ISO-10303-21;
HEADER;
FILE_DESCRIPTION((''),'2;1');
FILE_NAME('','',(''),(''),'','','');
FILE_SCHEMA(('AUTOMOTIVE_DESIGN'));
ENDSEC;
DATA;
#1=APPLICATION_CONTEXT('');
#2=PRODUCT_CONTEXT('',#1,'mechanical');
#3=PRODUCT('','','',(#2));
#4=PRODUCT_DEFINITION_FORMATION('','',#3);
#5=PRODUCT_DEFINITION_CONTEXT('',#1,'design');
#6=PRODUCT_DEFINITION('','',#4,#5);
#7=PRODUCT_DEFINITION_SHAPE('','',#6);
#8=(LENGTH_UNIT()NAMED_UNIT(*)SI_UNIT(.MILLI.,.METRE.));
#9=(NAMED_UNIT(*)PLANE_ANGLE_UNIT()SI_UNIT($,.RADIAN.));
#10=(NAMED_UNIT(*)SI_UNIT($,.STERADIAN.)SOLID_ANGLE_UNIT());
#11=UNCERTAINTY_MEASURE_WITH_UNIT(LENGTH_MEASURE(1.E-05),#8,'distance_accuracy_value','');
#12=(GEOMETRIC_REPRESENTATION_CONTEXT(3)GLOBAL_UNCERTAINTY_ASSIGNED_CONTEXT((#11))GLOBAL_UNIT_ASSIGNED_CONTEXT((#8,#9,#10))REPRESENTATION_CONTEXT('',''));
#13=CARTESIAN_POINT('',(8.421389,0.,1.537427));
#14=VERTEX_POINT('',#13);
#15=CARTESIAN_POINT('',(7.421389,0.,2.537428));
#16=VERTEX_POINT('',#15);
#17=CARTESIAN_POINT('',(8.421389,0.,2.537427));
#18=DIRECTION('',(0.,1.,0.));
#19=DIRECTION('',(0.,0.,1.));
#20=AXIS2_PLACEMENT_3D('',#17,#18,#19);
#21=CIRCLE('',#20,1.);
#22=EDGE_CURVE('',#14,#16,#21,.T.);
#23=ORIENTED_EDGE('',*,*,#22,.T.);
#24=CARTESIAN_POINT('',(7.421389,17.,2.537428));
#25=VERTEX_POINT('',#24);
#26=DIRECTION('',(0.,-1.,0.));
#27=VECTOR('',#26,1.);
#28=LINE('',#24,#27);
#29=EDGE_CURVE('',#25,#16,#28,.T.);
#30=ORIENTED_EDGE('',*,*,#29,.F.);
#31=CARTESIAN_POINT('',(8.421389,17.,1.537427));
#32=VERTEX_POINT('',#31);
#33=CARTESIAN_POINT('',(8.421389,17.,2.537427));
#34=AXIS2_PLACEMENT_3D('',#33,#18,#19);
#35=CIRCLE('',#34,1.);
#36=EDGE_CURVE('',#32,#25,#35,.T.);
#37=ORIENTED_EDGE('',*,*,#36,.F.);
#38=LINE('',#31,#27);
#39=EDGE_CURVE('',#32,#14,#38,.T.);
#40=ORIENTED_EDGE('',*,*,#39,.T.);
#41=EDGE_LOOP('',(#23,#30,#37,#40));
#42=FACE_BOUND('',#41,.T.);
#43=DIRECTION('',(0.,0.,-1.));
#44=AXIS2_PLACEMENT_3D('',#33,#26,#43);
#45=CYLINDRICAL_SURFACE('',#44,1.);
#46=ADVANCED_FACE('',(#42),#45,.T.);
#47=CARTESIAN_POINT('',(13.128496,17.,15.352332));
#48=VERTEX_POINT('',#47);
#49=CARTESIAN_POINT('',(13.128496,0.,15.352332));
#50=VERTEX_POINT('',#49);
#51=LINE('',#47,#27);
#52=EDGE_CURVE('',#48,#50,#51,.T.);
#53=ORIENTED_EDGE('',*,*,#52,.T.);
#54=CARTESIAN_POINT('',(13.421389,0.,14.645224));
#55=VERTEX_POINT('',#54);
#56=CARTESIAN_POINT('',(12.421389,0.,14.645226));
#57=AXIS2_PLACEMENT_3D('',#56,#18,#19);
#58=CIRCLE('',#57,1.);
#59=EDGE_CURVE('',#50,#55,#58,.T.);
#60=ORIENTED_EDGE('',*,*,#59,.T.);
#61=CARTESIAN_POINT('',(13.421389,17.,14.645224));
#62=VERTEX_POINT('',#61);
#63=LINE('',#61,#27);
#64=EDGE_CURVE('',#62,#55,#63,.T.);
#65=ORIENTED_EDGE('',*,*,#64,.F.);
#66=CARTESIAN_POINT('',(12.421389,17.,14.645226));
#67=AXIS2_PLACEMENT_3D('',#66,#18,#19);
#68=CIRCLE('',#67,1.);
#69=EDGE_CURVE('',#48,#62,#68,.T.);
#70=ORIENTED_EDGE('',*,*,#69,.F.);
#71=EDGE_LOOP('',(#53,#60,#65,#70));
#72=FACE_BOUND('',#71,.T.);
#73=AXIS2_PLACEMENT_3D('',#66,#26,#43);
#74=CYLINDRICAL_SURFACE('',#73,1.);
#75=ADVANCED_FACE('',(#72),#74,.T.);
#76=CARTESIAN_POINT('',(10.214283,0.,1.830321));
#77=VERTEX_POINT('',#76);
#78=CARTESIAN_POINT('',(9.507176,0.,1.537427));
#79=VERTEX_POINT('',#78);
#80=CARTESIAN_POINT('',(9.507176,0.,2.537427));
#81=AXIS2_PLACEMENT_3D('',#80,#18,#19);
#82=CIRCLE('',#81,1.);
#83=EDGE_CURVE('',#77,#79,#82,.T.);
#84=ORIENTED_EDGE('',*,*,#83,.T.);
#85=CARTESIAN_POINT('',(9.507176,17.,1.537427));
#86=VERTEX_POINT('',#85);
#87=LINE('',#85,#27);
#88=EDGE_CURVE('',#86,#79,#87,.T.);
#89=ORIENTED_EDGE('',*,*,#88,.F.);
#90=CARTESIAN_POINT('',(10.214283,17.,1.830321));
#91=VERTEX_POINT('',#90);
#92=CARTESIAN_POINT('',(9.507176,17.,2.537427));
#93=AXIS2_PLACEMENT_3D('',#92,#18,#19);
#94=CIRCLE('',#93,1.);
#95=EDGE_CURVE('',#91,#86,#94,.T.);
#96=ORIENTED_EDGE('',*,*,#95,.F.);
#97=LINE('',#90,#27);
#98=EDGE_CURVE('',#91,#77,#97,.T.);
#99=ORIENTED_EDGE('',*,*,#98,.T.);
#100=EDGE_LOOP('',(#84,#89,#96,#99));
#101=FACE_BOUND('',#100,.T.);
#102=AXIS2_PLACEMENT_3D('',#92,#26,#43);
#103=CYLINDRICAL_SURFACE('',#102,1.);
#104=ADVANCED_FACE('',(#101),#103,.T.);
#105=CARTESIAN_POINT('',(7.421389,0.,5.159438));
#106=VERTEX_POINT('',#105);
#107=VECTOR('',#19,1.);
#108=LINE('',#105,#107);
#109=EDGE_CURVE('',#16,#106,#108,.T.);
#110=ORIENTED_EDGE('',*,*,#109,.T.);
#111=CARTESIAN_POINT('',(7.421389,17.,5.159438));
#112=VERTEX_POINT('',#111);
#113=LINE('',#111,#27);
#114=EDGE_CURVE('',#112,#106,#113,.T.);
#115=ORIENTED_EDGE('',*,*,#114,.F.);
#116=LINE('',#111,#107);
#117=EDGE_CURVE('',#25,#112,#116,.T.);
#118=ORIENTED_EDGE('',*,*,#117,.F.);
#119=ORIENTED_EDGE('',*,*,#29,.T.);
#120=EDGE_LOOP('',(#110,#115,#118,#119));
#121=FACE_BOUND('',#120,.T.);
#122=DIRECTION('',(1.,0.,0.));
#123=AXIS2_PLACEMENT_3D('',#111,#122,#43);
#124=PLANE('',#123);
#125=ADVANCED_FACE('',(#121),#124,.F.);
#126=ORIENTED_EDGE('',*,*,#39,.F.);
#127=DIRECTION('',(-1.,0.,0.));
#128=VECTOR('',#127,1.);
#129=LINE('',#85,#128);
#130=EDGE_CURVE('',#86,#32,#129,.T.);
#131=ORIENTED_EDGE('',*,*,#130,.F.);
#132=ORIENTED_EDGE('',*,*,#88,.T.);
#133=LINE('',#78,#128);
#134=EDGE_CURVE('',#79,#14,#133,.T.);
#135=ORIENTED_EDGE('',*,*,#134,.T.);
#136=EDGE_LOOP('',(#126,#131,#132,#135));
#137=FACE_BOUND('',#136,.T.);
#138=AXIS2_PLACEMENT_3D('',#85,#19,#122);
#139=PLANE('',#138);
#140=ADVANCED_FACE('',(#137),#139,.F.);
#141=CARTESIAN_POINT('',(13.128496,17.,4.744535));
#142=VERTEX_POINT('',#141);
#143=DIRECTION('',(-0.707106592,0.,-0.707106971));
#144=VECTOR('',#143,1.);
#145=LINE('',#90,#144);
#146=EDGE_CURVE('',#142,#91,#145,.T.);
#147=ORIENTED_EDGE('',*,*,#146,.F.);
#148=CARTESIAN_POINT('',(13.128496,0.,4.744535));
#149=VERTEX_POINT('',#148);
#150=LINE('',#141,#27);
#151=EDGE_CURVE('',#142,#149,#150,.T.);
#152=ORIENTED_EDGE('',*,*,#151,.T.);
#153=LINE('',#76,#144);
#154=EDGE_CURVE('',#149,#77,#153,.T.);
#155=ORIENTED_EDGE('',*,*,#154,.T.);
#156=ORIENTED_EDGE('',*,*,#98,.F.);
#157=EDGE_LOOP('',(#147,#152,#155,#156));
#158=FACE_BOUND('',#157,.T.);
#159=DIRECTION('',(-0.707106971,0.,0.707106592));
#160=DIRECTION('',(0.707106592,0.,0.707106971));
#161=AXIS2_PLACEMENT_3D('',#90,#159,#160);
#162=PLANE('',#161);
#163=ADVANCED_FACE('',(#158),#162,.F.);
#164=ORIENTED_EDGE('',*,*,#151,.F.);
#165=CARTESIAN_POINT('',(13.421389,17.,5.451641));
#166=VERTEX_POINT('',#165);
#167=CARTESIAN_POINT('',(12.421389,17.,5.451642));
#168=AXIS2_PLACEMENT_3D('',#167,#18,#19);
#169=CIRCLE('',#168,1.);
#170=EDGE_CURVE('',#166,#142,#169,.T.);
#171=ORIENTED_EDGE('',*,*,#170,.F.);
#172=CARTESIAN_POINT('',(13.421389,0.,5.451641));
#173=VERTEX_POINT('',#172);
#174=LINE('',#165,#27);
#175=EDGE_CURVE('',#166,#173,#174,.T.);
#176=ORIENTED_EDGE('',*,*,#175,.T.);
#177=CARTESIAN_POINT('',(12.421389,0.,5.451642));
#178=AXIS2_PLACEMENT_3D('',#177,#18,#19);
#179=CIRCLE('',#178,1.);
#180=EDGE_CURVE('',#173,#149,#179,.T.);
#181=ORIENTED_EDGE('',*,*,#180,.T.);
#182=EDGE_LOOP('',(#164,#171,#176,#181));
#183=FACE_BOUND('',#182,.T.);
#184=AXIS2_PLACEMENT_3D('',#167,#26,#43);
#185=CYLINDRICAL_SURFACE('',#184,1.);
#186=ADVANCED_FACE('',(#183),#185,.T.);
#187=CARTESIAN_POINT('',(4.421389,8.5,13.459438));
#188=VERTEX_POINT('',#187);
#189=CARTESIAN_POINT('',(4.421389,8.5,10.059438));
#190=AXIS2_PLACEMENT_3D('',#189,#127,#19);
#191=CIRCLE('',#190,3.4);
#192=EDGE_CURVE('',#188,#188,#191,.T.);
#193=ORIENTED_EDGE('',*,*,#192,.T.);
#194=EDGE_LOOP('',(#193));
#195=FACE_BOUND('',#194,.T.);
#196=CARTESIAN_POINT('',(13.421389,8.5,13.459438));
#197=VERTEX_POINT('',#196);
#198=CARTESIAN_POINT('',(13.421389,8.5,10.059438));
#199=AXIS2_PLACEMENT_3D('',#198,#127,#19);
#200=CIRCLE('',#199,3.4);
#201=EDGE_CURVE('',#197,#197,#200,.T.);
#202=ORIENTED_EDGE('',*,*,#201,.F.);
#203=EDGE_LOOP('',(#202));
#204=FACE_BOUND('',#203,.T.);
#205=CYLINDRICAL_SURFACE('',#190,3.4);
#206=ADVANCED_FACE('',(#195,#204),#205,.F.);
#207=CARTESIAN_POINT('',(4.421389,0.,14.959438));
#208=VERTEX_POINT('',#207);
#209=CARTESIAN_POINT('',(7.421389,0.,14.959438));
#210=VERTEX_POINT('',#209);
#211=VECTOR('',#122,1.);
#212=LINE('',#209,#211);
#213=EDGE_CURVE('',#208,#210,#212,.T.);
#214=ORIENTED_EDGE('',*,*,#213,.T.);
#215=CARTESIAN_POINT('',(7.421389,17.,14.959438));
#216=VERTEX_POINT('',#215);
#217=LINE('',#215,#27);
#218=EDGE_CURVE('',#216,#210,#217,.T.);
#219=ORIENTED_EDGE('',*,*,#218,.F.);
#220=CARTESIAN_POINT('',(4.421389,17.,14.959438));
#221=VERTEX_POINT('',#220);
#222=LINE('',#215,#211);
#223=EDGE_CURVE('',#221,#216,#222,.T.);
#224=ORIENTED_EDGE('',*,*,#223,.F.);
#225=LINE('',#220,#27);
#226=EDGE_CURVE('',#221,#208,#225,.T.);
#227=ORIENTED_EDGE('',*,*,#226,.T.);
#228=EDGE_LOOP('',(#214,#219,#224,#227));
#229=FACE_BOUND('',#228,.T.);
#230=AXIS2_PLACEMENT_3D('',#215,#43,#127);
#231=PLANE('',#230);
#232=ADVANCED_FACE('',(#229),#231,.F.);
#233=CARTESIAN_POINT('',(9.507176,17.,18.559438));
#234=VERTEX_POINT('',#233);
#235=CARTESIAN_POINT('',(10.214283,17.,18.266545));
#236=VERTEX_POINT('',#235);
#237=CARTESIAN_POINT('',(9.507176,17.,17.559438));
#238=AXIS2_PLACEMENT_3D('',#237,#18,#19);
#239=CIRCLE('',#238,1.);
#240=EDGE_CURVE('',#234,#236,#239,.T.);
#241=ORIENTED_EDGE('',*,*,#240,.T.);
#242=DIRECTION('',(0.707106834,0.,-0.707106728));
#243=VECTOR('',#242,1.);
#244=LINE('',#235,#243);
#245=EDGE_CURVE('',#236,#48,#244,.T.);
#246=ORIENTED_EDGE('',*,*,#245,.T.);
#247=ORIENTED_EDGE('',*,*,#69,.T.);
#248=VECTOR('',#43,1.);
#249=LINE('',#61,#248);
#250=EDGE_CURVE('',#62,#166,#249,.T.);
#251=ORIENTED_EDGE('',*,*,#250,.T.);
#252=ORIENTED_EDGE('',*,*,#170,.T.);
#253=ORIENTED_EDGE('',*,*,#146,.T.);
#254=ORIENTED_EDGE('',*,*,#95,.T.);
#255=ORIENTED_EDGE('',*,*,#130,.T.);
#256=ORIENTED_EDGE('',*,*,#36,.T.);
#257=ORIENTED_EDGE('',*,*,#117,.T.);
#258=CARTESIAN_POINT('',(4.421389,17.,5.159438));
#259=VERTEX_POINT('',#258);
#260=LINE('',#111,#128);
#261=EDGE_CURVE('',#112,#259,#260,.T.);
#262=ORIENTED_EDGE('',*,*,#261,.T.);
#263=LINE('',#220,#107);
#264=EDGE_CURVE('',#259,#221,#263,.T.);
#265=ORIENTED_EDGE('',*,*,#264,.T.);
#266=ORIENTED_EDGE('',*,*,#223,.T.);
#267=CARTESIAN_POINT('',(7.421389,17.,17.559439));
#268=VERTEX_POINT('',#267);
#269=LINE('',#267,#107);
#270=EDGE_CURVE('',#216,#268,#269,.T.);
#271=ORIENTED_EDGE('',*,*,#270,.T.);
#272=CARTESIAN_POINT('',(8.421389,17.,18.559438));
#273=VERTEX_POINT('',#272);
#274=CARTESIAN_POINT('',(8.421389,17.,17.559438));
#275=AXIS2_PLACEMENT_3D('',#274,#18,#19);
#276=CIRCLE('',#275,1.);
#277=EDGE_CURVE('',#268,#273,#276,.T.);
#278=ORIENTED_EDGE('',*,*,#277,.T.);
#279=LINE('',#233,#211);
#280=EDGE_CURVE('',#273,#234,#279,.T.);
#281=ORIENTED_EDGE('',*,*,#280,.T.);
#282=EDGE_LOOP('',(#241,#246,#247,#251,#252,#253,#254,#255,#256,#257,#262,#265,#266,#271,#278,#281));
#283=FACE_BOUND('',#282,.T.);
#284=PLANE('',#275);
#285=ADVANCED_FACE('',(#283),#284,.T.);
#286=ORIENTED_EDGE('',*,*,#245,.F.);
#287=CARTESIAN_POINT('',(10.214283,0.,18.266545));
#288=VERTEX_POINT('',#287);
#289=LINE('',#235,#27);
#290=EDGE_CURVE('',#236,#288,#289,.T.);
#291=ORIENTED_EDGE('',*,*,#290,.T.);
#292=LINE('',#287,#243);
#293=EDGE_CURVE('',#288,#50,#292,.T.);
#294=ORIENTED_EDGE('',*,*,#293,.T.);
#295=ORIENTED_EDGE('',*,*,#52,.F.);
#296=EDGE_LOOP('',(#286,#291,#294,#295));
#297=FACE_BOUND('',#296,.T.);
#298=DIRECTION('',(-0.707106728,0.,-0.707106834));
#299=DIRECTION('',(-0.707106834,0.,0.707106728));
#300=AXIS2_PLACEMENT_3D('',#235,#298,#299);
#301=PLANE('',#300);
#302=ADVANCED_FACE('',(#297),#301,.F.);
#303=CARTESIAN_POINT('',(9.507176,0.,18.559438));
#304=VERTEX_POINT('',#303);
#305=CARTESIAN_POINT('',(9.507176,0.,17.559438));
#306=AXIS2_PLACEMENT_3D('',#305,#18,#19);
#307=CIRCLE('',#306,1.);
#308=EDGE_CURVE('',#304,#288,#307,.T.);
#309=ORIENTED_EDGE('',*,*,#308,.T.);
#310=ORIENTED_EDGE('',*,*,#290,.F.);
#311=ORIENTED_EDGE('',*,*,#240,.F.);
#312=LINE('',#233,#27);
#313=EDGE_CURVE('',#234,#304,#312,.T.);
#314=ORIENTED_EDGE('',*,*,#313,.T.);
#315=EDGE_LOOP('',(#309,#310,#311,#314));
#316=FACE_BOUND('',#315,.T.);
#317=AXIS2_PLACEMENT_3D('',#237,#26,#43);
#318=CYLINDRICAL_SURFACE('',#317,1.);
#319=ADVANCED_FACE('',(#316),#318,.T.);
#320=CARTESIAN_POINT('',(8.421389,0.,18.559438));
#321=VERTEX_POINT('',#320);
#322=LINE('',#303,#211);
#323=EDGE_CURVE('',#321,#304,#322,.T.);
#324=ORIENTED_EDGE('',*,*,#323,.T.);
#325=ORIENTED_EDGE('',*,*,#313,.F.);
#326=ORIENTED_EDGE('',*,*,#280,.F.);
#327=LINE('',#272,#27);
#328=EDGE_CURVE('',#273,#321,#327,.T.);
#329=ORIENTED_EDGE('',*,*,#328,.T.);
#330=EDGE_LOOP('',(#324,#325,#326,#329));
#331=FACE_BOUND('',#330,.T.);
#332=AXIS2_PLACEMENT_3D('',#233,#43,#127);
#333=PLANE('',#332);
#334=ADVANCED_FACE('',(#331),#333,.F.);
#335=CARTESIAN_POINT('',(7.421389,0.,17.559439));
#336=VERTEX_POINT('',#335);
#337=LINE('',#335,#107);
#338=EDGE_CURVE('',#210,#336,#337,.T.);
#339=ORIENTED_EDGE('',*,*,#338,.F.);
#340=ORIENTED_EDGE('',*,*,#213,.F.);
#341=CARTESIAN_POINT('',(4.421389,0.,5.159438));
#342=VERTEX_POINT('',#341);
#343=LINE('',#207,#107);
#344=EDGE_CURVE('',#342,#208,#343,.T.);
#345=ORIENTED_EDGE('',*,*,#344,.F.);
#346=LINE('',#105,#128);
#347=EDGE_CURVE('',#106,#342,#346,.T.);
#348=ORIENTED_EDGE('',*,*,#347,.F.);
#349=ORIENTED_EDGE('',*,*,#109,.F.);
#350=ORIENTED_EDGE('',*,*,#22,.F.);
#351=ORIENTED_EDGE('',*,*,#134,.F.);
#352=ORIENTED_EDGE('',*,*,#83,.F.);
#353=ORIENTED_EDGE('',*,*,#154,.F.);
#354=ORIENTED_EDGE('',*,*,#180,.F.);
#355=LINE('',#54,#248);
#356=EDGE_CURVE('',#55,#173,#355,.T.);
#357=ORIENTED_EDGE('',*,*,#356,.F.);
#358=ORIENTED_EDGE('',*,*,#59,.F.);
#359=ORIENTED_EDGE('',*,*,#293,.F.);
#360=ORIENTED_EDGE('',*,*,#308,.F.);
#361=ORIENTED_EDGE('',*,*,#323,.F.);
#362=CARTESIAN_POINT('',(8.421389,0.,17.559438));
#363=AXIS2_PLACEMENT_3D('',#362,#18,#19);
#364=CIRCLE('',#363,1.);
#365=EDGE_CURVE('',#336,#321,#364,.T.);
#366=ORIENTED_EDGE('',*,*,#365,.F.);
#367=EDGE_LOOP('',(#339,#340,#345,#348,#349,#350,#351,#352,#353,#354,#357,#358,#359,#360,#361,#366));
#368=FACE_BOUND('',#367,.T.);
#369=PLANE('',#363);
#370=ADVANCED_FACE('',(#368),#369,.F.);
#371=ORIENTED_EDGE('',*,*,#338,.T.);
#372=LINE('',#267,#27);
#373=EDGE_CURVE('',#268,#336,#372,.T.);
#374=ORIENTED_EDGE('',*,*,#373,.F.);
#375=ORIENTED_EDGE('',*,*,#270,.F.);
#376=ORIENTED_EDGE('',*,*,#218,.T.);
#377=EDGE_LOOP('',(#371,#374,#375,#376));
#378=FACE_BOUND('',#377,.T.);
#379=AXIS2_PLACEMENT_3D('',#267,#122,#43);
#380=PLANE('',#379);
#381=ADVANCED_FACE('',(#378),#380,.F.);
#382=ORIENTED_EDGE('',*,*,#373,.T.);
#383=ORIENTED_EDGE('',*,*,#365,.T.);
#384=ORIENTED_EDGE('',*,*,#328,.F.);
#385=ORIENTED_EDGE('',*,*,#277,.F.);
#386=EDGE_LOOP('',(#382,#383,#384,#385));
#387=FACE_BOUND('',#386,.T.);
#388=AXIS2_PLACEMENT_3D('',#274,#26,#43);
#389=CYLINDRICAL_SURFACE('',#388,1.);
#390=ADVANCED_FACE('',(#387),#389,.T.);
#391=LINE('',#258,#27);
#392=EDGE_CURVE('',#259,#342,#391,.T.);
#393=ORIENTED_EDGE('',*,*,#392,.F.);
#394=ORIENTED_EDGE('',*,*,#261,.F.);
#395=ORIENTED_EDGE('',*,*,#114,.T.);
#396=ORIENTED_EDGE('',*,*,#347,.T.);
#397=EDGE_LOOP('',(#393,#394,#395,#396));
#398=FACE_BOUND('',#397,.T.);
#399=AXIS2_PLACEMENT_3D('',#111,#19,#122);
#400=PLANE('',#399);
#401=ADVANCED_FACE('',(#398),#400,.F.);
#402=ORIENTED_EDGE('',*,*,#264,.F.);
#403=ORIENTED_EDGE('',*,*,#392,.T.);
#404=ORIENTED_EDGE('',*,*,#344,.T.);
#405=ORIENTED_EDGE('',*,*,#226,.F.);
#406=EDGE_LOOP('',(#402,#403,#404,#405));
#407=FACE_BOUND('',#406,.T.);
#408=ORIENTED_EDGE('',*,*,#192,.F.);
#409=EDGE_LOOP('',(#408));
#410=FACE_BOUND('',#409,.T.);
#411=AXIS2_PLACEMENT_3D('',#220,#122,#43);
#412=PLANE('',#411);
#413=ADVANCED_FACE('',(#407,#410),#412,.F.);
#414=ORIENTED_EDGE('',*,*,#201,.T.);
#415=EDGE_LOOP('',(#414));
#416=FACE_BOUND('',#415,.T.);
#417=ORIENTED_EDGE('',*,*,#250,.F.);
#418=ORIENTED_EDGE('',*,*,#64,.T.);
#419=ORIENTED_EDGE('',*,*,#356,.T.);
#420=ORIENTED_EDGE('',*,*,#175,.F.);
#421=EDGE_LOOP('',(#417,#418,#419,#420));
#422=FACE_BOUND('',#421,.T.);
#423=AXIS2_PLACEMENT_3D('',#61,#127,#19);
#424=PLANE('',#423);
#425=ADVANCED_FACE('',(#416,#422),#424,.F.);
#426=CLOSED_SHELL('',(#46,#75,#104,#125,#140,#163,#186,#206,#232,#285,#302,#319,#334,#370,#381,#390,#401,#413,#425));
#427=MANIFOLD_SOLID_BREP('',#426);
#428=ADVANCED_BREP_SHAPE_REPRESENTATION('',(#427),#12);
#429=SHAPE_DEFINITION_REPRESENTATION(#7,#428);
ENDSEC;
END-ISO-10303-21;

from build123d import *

# Parameters (mm, degrees)
BOSS_EXTRUDE1_DEPTH = 17
M8_TAPPED_HOLE1_D   = 6.8


with BuildPart() as part:
    # Sketch1 → Boss-Extrude1 (new body)
    with BuildSketch(Plane(origin=(0, 0, 0), x_dir=(1, 0, 0), z_dir=(0, 1, 0))):
        with BuildLine():
            Line((10.214282758, -18.266545266), (13.128495977, -15.352332485))
            ThreePointArc((13.128495977, -15.352332485), (13.345268844, -15.027908548), (13.421388977, -14.645224485))
            Line((13.421388977, -14.645224485), (13.421388977, -5.451641485))
            ThreePointArc((13.421388977, -5.451641485), (13.345268461, -5.068958498), (13.128495977, -4.744535485))
            Line((13.128495977, -4.744535485), (10.214282758, -1.830320704))
            ThreePointArc((10.214282758, -1.830320704), (9.889859409, -1.613547953), (9.507175977, -1.537427485))
            Line((9.507175977, -1.537427485), (8.421388977, -1.537427485))
            ThreePointArc((8.421388977, -1.537427485), (7.714282177, -1.830320722), (7.421388977, -2.537427537))
            Line((7.421388977, -2.537427537), (7.421388977, -5.159438485))
            Line((7.421388977, -5.159438485), (4.421388977, -5.159438485))
            Line((4.421388977, -5.159438485), (4.421388977, -14.959438485))
            Line((4.421388977, -14.959438485), (7.421388977, -14.959438485))
            Line((7.421388977, -14.959438485), (7.421388977, -17.559438537))
            ThreePointArc((7.421388977, -17.559438537), (7.714282276, -18.266545347), (8.421389151, -18.559438485))
            Line((8.421389151, -18.559438485), (9.507176151, -18.559438485))
            ThreePointArc((9.507176151, -18.559438485), (9.88985949, -18.483317984), (10.214282758, -18.266545266))
        make_face()
    extrude(amount=BOSS_EXTRUDE1_DEPTH)

    # M8 Tapped Hole1 (through all)
    with Locations(Plane(origin=(4.421388977, 8.5, 10.059438485), x_dir=(0, 0, -1), z_dir=(-1, 0, 0))):
        with Locations((0, 0)):
            Hole(M8_TAPPED_HOLE1_D / 2)


solid = part.part
